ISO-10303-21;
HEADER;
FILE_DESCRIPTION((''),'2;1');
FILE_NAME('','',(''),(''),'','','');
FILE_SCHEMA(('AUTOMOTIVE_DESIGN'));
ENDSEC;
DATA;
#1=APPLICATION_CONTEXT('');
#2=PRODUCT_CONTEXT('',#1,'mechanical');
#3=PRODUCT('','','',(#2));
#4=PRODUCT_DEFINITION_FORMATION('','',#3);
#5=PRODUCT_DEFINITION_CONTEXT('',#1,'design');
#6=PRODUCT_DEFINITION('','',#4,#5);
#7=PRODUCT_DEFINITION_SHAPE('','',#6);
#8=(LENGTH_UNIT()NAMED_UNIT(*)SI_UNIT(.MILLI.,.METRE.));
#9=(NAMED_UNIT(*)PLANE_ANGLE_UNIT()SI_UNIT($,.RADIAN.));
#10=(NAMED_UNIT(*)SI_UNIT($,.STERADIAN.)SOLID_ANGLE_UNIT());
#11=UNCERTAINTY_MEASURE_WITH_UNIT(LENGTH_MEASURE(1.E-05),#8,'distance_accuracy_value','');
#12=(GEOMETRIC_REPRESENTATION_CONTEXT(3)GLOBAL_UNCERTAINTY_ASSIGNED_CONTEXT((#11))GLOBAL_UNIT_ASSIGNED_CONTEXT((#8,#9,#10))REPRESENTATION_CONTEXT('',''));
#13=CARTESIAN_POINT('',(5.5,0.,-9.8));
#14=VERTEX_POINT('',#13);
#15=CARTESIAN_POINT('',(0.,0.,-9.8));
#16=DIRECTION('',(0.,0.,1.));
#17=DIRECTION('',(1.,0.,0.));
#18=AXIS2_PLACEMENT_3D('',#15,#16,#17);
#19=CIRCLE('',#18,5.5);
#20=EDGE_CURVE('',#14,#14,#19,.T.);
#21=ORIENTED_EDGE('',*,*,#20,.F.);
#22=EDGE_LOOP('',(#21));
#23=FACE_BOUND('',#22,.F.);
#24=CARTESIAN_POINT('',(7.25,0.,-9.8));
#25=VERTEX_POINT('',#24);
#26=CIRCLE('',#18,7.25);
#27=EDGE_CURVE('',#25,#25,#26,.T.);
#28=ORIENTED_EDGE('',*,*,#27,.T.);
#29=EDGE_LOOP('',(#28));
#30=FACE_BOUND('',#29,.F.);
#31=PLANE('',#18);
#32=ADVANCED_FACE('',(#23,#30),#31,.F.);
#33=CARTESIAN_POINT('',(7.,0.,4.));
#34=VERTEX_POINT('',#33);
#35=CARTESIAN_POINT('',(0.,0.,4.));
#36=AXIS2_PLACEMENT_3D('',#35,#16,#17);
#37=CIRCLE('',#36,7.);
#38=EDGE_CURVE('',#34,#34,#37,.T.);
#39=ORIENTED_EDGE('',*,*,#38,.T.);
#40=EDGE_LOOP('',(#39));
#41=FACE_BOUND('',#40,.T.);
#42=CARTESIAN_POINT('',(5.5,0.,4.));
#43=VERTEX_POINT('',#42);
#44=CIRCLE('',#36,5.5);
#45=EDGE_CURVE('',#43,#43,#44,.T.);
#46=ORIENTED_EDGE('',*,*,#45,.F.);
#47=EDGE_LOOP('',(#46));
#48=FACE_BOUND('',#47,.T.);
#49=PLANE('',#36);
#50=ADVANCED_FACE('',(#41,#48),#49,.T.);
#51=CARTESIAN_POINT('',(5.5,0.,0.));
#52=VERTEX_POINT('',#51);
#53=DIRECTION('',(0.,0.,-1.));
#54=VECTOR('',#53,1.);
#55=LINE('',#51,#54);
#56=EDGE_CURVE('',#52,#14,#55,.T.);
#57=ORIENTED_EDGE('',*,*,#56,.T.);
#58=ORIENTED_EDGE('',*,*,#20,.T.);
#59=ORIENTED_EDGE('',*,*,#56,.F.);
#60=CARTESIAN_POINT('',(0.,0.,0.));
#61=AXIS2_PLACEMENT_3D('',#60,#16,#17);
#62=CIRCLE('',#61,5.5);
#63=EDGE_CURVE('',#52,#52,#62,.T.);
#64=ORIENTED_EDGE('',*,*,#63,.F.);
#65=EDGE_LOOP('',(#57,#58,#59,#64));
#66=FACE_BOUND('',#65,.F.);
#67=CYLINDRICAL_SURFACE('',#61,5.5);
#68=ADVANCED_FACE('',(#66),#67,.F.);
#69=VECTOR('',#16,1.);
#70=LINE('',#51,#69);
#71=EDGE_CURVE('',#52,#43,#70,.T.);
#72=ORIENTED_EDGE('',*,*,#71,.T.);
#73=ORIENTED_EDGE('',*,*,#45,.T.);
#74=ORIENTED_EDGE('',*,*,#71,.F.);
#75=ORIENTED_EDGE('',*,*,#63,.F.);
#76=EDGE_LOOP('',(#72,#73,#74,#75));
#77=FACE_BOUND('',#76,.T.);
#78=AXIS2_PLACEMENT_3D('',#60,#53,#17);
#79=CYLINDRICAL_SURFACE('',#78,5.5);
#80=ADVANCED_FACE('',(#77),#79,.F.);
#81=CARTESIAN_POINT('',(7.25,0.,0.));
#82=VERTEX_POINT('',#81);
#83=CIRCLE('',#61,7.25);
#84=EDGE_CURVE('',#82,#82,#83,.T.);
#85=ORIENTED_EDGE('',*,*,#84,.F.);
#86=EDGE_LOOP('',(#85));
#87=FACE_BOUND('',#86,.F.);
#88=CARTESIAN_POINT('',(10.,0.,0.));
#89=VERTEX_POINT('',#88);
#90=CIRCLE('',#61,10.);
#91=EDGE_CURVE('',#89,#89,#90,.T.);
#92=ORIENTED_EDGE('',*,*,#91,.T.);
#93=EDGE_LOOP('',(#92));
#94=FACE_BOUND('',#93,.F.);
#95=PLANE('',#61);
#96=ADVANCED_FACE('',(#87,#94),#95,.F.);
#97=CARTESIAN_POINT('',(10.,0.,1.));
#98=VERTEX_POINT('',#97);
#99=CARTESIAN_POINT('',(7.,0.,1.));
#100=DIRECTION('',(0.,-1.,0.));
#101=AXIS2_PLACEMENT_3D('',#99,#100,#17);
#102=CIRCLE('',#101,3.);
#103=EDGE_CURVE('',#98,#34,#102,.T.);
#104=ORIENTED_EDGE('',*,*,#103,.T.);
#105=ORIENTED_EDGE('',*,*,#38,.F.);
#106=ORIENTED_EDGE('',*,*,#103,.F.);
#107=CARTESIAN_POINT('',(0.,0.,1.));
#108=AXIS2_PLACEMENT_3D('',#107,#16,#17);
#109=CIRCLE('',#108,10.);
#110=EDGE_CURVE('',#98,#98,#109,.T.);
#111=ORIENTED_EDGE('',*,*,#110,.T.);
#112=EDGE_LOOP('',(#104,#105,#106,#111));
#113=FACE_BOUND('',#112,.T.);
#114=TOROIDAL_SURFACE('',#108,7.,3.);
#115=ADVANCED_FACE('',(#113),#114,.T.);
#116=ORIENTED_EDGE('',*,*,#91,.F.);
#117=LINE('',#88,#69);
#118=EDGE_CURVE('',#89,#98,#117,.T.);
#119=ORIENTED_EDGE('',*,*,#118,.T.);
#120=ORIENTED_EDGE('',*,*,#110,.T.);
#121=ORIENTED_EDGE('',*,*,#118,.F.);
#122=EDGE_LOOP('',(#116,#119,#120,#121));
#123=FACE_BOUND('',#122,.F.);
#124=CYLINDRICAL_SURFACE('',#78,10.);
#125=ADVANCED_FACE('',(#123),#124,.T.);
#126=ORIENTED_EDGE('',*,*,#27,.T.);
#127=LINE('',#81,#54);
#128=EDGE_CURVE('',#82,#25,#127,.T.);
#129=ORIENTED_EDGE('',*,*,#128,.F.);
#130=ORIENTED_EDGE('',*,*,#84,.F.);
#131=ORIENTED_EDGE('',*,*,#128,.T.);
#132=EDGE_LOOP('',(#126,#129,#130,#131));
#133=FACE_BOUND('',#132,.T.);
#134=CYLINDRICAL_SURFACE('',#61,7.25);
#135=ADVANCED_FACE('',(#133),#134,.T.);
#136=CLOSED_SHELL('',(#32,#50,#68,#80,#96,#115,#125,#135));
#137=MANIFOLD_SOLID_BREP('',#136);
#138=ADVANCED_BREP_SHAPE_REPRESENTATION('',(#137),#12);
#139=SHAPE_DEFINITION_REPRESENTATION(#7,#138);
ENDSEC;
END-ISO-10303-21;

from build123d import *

# Parameters (mm, degrees)
F0_R     = 10
F0_R_2   = 7.25
F0_R_3   = 5.5
F1_DEPTH = 4
F2_R     = 3
F3_DEPTH = 9.8


with BuildPart() as f1:
    # F0 (on Top) → F1 (new body)
    with BuildSketch(Plane.XY):
        Circle(F0_R)
        Circle(F0_R_2, mode=Mode.SUBTRACT)
        Circle(F0_R_2)
        Circle(F0_R_3, mode=Mode.SUBTRACT)
    extrude(amount=F1_DEPTH)

    # F2
    f2_edges = [f1.edges().sort_by_distance(p)[0] for p in [
        (-10, 0, 4),
    ]]
    fillet(f2_edges, radius=F2_R)

    # F0 (on Top) → F3 (join)
    with BuildSketch(Plane.XY):
        Circle(F0_R_2)
        Circle(F0_R_3, mode=Mode.SUBTRACT)
    extrude(amount=-F3_DEPTH)


solid = f1.part
